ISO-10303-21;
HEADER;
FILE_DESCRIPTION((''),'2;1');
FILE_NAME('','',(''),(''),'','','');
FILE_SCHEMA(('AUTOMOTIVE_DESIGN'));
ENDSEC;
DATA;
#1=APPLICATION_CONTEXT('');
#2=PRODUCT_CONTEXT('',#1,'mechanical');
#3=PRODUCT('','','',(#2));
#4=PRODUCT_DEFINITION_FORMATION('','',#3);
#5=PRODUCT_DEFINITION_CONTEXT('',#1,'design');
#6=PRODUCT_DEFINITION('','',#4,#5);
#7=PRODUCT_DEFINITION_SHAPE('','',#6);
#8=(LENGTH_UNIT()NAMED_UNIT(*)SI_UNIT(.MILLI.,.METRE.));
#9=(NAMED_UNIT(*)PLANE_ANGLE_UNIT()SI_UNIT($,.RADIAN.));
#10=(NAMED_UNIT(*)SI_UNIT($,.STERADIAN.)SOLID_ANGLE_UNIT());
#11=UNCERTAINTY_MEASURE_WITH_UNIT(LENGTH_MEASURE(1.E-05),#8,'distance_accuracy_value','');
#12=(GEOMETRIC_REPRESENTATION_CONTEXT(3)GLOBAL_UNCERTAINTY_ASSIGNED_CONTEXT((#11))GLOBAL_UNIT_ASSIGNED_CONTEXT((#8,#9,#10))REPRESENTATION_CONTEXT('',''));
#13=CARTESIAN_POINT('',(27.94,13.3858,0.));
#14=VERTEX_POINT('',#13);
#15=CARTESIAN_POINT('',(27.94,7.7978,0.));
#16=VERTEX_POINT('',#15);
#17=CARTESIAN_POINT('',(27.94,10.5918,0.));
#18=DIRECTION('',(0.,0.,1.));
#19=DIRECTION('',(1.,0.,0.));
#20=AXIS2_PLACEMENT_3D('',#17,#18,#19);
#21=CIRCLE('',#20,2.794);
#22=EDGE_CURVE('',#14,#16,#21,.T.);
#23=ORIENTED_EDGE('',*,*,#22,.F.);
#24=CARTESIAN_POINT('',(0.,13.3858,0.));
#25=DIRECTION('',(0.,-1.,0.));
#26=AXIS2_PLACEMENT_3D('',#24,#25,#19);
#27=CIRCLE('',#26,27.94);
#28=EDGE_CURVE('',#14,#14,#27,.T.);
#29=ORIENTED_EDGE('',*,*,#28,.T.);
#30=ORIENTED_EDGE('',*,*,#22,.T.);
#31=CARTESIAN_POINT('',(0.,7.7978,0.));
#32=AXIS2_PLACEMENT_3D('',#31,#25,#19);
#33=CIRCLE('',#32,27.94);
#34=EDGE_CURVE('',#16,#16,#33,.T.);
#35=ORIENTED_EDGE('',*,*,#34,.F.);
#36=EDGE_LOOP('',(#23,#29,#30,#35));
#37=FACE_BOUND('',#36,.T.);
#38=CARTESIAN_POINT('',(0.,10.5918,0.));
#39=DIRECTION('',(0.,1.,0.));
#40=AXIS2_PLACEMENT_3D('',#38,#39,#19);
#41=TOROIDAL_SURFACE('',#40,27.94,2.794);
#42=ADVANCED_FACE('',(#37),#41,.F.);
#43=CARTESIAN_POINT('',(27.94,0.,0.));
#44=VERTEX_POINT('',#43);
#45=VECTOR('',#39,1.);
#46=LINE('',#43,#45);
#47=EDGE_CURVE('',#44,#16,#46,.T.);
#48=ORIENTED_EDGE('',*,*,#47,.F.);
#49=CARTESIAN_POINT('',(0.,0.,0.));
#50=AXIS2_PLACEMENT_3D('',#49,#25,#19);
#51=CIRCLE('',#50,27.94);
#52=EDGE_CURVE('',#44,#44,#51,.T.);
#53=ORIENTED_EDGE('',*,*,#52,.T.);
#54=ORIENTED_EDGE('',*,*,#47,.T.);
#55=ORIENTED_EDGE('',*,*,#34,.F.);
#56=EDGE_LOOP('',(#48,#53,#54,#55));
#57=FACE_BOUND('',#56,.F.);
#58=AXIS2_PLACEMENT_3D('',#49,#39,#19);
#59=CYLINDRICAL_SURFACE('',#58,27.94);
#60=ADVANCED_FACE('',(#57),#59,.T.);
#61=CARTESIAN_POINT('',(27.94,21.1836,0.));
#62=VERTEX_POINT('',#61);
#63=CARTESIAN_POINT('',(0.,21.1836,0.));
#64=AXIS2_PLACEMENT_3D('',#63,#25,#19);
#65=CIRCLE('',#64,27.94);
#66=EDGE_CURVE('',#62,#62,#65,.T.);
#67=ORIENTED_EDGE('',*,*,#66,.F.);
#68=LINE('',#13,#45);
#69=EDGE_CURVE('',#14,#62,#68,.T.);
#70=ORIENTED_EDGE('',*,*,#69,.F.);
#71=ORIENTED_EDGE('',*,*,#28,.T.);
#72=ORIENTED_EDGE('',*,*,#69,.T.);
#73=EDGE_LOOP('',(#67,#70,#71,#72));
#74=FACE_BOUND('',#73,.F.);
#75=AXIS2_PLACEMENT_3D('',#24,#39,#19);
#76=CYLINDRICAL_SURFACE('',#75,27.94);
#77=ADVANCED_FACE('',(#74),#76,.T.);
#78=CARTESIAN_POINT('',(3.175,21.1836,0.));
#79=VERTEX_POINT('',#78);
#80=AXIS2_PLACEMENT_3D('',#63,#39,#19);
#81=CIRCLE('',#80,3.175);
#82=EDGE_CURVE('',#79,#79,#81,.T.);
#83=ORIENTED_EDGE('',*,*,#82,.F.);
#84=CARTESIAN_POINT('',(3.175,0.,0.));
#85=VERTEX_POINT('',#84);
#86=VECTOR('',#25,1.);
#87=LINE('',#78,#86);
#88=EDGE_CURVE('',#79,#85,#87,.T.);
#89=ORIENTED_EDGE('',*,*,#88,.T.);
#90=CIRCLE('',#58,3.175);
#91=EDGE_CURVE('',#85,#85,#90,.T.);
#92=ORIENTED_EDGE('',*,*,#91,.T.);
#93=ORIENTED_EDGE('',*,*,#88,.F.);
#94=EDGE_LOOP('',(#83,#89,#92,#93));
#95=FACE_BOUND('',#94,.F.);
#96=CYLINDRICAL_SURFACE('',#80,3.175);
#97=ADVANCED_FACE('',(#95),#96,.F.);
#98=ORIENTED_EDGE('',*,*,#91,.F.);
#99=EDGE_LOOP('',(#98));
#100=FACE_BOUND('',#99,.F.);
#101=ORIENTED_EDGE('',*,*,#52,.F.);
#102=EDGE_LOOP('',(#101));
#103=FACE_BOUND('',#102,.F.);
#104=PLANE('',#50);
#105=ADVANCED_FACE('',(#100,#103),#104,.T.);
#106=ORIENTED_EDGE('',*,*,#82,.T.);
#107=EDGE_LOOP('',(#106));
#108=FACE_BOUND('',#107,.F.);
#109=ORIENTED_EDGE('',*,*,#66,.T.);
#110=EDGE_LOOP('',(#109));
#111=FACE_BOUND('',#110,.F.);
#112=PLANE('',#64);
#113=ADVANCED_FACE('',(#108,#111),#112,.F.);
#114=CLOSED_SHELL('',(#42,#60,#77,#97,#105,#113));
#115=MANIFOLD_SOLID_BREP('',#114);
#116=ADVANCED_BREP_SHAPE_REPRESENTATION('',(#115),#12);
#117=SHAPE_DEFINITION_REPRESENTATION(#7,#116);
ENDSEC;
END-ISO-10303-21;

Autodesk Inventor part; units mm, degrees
ref_plane "YZ Plane" through (0, 0, 0) normal (1, 0, 0) x (0, 1, 0)
ref_plane "XZ Plane" through (0, 0, 0) normal (0, 1, 0) x (-1, 0, 0)
ref_plane "XY Plane" through (0, 0, 0) normal (0, 0, 1) x (1, 0, 0)
sketch "Sketch1" plane through (0, 0, 0) normal (0, 0, 1) x (1, 0, 0)
  line L0 (0, 0) -> (27.94, 0)
  line L1 (27.94, 21.1836) -> (0, 21.1836)
  line L2 (0, 21.1836) -> (0, 0)
  circle A0 centre (27.94, 10.5918) radius 2.794
  line L3 (27.94, 0) -> (27.94, 7.7978)
  line L4 (27.94, 13.3858) -> (27.94, 21.1836)
  line L5 (27.94, 13.3858) -> (27.94, 7.7978) construction
  line L6 (0, 10.5918) -> (27.94, 10.5918) construction
  dimension "d0" = 27.94
  dimension "d1" = 21.1836
  dimension "d2" = 5.588
revolve "Revolution1" add sketch "Sketch1" angle 360 about axis through (0, 21.1836, 0) along (0, -1, 0) contours L2 L1 L4 A0 L3 L0
sketch "Sketch2" plane through (0, 21.1836, 0) normal (0, 1, 0) x (1, 0, 0)
  circle A0 centre (0, 0) radius 3.175
  dimension "d4" = 6.35
extrude "Extrusion1" cut sketch "Sketch2" against normal blind 25.4
properties part number "pulley wheel" material "Aluminum 6061"
